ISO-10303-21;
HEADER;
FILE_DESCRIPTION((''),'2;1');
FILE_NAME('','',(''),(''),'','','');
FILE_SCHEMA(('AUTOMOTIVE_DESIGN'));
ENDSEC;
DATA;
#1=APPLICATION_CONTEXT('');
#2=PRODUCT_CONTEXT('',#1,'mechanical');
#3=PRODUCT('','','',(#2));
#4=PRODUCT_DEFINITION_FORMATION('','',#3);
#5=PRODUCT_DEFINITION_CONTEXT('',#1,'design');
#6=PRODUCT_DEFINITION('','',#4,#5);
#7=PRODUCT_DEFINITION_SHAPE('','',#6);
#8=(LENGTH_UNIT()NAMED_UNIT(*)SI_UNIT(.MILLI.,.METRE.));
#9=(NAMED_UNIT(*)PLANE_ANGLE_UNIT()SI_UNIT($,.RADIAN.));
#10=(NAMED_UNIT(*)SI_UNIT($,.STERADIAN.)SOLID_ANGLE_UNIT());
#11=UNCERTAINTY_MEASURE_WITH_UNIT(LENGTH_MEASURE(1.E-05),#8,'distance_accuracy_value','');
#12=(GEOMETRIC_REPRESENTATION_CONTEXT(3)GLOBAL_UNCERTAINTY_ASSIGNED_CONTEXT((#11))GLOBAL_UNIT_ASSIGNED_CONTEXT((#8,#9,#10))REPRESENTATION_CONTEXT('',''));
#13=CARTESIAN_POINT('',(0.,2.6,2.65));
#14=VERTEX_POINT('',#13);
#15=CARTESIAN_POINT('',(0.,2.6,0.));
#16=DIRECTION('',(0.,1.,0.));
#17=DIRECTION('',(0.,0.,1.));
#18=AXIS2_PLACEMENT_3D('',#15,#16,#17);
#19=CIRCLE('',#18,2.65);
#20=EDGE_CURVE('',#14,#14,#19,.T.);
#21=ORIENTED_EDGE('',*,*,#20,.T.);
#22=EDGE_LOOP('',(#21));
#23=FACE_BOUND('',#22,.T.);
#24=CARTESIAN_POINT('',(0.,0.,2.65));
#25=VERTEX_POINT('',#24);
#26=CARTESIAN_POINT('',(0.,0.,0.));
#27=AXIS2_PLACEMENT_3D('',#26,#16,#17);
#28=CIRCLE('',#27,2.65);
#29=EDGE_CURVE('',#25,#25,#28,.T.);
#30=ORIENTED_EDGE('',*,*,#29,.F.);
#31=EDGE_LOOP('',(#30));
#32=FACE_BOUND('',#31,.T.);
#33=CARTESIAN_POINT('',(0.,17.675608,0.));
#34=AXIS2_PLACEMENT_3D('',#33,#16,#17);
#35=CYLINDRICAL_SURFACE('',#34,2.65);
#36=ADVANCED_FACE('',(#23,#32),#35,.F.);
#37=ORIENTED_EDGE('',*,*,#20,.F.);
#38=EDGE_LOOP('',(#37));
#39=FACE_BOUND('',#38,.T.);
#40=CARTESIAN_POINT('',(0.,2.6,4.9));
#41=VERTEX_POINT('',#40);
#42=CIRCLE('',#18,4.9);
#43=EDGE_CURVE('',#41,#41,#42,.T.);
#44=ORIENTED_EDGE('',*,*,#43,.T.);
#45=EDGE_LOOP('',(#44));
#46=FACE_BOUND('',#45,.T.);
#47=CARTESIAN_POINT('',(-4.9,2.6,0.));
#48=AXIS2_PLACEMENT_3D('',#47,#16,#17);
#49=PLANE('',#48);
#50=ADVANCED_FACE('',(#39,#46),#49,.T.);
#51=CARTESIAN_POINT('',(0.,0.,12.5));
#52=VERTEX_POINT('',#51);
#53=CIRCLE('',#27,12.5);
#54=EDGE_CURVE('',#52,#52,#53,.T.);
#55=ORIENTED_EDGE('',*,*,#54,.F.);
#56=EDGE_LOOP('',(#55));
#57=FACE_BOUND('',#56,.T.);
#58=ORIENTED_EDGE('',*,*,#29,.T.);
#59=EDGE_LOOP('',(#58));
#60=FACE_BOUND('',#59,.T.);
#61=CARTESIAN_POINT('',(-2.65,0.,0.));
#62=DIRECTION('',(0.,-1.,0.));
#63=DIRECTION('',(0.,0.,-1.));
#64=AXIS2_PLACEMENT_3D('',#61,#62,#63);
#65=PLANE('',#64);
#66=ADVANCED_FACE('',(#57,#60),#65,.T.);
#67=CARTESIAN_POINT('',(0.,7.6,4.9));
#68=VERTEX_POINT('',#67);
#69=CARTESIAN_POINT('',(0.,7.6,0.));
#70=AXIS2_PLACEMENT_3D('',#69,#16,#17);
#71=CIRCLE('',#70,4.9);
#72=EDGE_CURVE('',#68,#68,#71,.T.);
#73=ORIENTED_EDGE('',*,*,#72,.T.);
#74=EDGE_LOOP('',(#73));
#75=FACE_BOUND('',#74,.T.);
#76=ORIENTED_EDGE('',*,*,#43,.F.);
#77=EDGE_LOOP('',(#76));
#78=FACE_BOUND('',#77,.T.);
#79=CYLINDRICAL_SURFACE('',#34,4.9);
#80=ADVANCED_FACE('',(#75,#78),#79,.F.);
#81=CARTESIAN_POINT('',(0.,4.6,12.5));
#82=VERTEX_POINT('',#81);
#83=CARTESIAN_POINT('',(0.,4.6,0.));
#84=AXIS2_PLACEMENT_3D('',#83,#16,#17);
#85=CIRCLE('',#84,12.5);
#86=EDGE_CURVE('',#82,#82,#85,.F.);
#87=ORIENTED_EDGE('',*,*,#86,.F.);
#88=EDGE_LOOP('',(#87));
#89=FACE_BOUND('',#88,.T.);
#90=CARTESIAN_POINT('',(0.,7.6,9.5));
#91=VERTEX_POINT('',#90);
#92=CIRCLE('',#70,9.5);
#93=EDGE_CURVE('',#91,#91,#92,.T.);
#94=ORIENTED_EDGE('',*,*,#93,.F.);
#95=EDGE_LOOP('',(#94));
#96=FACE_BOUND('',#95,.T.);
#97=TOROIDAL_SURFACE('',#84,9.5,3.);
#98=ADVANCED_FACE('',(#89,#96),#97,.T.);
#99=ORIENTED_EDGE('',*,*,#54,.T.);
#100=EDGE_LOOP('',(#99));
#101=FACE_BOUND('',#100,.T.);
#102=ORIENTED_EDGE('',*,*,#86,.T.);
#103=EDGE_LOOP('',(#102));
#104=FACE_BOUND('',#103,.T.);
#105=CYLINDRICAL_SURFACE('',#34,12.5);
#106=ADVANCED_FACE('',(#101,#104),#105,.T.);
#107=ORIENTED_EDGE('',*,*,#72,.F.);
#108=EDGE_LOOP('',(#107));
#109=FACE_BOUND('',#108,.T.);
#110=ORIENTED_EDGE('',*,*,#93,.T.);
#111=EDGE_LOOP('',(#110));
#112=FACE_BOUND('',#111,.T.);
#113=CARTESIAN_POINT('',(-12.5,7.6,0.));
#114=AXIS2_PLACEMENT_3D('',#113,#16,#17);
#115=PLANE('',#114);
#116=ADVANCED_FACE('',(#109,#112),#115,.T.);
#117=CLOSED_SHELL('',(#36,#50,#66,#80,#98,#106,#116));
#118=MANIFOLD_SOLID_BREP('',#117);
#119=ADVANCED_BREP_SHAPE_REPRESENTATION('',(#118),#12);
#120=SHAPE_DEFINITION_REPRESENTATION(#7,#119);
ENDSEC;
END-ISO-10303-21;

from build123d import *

# Parameters (mm, degrees)
CONG_1_R = 3


with BuildPart() as part:
    # Esquisse1 → Révolution1 (revolve)
    with BuildSketch(Plane.XY):
        Polygon((-2.65, 0), (-12.5, 0), (-12.5, 7.6), (-4.9, 7.6), (-4.9, 2.6), (-2.65, 2.6), align=None)
    revolve(axis=Axis((0, 17.675608337, 0), (0, -1, 0)))

    # Congé1
    cong_1_edges = [part.edges().sort_by_distance(p)[0] for p in [
        (12.5, 7.6, 0),
    ]]
    fillet(cong_1_edges, radius=CONG_1_R)


solid = part.part
